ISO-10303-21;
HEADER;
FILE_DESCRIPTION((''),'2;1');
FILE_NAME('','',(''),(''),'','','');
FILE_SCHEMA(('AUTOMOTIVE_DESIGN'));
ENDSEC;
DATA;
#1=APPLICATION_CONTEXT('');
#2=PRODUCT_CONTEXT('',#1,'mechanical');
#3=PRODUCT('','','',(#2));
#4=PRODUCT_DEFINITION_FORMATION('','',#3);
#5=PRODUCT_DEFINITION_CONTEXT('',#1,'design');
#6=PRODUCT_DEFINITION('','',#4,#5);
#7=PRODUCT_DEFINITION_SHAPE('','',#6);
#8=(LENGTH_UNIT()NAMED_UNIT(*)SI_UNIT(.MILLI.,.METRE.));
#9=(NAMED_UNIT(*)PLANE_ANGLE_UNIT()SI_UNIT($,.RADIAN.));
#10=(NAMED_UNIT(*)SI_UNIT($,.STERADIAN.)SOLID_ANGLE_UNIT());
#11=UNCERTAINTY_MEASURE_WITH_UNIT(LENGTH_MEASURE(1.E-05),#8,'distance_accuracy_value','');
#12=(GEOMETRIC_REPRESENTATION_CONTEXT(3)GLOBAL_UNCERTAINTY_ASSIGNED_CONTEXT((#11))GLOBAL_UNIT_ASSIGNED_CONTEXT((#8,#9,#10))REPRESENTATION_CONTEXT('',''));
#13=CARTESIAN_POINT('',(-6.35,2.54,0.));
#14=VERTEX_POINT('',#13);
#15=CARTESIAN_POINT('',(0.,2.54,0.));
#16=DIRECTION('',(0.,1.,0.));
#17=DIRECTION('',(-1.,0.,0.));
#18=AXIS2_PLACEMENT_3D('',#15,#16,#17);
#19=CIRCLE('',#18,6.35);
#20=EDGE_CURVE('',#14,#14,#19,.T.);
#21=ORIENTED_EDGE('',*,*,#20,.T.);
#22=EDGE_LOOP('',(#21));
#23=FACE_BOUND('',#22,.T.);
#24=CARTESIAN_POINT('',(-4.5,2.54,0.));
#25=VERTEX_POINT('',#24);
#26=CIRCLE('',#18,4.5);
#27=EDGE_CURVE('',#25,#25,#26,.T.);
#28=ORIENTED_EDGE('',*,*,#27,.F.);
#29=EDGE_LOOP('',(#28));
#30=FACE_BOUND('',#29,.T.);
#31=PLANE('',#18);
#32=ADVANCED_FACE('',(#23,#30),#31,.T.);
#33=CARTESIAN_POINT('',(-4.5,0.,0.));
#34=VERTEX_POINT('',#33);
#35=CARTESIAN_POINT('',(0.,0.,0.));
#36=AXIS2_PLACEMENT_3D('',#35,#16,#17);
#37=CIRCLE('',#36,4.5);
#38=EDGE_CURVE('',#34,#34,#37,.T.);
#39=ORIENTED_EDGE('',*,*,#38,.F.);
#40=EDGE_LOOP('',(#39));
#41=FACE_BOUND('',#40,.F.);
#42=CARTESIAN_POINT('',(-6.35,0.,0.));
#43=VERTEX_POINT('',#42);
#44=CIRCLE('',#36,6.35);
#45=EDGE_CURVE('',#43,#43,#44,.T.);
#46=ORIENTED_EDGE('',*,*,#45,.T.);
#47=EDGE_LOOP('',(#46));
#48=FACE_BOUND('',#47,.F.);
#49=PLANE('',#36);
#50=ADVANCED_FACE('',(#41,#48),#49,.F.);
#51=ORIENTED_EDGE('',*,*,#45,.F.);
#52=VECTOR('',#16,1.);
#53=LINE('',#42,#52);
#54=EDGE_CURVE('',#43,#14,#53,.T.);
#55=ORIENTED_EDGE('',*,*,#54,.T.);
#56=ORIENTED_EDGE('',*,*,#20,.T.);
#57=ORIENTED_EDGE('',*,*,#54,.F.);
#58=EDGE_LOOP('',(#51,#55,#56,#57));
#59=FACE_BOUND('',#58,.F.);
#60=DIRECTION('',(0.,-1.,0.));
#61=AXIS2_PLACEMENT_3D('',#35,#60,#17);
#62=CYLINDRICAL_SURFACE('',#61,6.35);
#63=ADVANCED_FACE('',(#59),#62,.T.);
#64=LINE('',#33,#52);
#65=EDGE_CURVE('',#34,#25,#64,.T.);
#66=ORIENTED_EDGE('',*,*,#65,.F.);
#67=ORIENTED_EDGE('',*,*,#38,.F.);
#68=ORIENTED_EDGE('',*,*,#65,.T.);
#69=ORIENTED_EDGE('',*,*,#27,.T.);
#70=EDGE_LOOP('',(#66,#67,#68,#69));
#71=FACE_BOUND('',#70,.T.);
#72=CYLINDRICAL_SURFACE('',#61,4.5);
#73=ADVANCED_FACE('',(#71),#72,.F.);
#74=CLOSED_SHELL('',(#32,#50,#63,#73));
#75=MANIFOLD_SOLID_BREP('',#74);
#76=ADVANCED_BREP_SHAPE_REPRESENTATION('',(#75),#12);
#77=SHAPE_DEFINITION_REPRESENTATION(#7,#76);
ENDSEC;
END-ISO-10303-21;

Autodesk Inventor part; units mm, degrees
ref_plane "YZ Plane" through (0, 0, 0) normal (1, 0, 0) x (0, 1, 0)
ref_plane "XZ Plane" through (0, 0, 0) normal (0, 1, 0) x (-1, 0, 0)
ref_plane "XY Plane" through (0, 0, 0) normal (0, 0, 1) x (1, 0, 0)
sketch "Sketch1" plane through (0, 0, 0) normal (0, 1, 0) x (-1, 0, 0)
  circle A0 centre (0, 0) radius 6.35
  circle A1 centre (0, 0) radius 4.5
  dimension "d0" = 12.7
  dimension "d1" = 9
extrude "Extrusion1" add sketch "Sketch1" along normal blind 2.54
properties part number "ELEV_029_SPACER4" material "ABS Plastic"
